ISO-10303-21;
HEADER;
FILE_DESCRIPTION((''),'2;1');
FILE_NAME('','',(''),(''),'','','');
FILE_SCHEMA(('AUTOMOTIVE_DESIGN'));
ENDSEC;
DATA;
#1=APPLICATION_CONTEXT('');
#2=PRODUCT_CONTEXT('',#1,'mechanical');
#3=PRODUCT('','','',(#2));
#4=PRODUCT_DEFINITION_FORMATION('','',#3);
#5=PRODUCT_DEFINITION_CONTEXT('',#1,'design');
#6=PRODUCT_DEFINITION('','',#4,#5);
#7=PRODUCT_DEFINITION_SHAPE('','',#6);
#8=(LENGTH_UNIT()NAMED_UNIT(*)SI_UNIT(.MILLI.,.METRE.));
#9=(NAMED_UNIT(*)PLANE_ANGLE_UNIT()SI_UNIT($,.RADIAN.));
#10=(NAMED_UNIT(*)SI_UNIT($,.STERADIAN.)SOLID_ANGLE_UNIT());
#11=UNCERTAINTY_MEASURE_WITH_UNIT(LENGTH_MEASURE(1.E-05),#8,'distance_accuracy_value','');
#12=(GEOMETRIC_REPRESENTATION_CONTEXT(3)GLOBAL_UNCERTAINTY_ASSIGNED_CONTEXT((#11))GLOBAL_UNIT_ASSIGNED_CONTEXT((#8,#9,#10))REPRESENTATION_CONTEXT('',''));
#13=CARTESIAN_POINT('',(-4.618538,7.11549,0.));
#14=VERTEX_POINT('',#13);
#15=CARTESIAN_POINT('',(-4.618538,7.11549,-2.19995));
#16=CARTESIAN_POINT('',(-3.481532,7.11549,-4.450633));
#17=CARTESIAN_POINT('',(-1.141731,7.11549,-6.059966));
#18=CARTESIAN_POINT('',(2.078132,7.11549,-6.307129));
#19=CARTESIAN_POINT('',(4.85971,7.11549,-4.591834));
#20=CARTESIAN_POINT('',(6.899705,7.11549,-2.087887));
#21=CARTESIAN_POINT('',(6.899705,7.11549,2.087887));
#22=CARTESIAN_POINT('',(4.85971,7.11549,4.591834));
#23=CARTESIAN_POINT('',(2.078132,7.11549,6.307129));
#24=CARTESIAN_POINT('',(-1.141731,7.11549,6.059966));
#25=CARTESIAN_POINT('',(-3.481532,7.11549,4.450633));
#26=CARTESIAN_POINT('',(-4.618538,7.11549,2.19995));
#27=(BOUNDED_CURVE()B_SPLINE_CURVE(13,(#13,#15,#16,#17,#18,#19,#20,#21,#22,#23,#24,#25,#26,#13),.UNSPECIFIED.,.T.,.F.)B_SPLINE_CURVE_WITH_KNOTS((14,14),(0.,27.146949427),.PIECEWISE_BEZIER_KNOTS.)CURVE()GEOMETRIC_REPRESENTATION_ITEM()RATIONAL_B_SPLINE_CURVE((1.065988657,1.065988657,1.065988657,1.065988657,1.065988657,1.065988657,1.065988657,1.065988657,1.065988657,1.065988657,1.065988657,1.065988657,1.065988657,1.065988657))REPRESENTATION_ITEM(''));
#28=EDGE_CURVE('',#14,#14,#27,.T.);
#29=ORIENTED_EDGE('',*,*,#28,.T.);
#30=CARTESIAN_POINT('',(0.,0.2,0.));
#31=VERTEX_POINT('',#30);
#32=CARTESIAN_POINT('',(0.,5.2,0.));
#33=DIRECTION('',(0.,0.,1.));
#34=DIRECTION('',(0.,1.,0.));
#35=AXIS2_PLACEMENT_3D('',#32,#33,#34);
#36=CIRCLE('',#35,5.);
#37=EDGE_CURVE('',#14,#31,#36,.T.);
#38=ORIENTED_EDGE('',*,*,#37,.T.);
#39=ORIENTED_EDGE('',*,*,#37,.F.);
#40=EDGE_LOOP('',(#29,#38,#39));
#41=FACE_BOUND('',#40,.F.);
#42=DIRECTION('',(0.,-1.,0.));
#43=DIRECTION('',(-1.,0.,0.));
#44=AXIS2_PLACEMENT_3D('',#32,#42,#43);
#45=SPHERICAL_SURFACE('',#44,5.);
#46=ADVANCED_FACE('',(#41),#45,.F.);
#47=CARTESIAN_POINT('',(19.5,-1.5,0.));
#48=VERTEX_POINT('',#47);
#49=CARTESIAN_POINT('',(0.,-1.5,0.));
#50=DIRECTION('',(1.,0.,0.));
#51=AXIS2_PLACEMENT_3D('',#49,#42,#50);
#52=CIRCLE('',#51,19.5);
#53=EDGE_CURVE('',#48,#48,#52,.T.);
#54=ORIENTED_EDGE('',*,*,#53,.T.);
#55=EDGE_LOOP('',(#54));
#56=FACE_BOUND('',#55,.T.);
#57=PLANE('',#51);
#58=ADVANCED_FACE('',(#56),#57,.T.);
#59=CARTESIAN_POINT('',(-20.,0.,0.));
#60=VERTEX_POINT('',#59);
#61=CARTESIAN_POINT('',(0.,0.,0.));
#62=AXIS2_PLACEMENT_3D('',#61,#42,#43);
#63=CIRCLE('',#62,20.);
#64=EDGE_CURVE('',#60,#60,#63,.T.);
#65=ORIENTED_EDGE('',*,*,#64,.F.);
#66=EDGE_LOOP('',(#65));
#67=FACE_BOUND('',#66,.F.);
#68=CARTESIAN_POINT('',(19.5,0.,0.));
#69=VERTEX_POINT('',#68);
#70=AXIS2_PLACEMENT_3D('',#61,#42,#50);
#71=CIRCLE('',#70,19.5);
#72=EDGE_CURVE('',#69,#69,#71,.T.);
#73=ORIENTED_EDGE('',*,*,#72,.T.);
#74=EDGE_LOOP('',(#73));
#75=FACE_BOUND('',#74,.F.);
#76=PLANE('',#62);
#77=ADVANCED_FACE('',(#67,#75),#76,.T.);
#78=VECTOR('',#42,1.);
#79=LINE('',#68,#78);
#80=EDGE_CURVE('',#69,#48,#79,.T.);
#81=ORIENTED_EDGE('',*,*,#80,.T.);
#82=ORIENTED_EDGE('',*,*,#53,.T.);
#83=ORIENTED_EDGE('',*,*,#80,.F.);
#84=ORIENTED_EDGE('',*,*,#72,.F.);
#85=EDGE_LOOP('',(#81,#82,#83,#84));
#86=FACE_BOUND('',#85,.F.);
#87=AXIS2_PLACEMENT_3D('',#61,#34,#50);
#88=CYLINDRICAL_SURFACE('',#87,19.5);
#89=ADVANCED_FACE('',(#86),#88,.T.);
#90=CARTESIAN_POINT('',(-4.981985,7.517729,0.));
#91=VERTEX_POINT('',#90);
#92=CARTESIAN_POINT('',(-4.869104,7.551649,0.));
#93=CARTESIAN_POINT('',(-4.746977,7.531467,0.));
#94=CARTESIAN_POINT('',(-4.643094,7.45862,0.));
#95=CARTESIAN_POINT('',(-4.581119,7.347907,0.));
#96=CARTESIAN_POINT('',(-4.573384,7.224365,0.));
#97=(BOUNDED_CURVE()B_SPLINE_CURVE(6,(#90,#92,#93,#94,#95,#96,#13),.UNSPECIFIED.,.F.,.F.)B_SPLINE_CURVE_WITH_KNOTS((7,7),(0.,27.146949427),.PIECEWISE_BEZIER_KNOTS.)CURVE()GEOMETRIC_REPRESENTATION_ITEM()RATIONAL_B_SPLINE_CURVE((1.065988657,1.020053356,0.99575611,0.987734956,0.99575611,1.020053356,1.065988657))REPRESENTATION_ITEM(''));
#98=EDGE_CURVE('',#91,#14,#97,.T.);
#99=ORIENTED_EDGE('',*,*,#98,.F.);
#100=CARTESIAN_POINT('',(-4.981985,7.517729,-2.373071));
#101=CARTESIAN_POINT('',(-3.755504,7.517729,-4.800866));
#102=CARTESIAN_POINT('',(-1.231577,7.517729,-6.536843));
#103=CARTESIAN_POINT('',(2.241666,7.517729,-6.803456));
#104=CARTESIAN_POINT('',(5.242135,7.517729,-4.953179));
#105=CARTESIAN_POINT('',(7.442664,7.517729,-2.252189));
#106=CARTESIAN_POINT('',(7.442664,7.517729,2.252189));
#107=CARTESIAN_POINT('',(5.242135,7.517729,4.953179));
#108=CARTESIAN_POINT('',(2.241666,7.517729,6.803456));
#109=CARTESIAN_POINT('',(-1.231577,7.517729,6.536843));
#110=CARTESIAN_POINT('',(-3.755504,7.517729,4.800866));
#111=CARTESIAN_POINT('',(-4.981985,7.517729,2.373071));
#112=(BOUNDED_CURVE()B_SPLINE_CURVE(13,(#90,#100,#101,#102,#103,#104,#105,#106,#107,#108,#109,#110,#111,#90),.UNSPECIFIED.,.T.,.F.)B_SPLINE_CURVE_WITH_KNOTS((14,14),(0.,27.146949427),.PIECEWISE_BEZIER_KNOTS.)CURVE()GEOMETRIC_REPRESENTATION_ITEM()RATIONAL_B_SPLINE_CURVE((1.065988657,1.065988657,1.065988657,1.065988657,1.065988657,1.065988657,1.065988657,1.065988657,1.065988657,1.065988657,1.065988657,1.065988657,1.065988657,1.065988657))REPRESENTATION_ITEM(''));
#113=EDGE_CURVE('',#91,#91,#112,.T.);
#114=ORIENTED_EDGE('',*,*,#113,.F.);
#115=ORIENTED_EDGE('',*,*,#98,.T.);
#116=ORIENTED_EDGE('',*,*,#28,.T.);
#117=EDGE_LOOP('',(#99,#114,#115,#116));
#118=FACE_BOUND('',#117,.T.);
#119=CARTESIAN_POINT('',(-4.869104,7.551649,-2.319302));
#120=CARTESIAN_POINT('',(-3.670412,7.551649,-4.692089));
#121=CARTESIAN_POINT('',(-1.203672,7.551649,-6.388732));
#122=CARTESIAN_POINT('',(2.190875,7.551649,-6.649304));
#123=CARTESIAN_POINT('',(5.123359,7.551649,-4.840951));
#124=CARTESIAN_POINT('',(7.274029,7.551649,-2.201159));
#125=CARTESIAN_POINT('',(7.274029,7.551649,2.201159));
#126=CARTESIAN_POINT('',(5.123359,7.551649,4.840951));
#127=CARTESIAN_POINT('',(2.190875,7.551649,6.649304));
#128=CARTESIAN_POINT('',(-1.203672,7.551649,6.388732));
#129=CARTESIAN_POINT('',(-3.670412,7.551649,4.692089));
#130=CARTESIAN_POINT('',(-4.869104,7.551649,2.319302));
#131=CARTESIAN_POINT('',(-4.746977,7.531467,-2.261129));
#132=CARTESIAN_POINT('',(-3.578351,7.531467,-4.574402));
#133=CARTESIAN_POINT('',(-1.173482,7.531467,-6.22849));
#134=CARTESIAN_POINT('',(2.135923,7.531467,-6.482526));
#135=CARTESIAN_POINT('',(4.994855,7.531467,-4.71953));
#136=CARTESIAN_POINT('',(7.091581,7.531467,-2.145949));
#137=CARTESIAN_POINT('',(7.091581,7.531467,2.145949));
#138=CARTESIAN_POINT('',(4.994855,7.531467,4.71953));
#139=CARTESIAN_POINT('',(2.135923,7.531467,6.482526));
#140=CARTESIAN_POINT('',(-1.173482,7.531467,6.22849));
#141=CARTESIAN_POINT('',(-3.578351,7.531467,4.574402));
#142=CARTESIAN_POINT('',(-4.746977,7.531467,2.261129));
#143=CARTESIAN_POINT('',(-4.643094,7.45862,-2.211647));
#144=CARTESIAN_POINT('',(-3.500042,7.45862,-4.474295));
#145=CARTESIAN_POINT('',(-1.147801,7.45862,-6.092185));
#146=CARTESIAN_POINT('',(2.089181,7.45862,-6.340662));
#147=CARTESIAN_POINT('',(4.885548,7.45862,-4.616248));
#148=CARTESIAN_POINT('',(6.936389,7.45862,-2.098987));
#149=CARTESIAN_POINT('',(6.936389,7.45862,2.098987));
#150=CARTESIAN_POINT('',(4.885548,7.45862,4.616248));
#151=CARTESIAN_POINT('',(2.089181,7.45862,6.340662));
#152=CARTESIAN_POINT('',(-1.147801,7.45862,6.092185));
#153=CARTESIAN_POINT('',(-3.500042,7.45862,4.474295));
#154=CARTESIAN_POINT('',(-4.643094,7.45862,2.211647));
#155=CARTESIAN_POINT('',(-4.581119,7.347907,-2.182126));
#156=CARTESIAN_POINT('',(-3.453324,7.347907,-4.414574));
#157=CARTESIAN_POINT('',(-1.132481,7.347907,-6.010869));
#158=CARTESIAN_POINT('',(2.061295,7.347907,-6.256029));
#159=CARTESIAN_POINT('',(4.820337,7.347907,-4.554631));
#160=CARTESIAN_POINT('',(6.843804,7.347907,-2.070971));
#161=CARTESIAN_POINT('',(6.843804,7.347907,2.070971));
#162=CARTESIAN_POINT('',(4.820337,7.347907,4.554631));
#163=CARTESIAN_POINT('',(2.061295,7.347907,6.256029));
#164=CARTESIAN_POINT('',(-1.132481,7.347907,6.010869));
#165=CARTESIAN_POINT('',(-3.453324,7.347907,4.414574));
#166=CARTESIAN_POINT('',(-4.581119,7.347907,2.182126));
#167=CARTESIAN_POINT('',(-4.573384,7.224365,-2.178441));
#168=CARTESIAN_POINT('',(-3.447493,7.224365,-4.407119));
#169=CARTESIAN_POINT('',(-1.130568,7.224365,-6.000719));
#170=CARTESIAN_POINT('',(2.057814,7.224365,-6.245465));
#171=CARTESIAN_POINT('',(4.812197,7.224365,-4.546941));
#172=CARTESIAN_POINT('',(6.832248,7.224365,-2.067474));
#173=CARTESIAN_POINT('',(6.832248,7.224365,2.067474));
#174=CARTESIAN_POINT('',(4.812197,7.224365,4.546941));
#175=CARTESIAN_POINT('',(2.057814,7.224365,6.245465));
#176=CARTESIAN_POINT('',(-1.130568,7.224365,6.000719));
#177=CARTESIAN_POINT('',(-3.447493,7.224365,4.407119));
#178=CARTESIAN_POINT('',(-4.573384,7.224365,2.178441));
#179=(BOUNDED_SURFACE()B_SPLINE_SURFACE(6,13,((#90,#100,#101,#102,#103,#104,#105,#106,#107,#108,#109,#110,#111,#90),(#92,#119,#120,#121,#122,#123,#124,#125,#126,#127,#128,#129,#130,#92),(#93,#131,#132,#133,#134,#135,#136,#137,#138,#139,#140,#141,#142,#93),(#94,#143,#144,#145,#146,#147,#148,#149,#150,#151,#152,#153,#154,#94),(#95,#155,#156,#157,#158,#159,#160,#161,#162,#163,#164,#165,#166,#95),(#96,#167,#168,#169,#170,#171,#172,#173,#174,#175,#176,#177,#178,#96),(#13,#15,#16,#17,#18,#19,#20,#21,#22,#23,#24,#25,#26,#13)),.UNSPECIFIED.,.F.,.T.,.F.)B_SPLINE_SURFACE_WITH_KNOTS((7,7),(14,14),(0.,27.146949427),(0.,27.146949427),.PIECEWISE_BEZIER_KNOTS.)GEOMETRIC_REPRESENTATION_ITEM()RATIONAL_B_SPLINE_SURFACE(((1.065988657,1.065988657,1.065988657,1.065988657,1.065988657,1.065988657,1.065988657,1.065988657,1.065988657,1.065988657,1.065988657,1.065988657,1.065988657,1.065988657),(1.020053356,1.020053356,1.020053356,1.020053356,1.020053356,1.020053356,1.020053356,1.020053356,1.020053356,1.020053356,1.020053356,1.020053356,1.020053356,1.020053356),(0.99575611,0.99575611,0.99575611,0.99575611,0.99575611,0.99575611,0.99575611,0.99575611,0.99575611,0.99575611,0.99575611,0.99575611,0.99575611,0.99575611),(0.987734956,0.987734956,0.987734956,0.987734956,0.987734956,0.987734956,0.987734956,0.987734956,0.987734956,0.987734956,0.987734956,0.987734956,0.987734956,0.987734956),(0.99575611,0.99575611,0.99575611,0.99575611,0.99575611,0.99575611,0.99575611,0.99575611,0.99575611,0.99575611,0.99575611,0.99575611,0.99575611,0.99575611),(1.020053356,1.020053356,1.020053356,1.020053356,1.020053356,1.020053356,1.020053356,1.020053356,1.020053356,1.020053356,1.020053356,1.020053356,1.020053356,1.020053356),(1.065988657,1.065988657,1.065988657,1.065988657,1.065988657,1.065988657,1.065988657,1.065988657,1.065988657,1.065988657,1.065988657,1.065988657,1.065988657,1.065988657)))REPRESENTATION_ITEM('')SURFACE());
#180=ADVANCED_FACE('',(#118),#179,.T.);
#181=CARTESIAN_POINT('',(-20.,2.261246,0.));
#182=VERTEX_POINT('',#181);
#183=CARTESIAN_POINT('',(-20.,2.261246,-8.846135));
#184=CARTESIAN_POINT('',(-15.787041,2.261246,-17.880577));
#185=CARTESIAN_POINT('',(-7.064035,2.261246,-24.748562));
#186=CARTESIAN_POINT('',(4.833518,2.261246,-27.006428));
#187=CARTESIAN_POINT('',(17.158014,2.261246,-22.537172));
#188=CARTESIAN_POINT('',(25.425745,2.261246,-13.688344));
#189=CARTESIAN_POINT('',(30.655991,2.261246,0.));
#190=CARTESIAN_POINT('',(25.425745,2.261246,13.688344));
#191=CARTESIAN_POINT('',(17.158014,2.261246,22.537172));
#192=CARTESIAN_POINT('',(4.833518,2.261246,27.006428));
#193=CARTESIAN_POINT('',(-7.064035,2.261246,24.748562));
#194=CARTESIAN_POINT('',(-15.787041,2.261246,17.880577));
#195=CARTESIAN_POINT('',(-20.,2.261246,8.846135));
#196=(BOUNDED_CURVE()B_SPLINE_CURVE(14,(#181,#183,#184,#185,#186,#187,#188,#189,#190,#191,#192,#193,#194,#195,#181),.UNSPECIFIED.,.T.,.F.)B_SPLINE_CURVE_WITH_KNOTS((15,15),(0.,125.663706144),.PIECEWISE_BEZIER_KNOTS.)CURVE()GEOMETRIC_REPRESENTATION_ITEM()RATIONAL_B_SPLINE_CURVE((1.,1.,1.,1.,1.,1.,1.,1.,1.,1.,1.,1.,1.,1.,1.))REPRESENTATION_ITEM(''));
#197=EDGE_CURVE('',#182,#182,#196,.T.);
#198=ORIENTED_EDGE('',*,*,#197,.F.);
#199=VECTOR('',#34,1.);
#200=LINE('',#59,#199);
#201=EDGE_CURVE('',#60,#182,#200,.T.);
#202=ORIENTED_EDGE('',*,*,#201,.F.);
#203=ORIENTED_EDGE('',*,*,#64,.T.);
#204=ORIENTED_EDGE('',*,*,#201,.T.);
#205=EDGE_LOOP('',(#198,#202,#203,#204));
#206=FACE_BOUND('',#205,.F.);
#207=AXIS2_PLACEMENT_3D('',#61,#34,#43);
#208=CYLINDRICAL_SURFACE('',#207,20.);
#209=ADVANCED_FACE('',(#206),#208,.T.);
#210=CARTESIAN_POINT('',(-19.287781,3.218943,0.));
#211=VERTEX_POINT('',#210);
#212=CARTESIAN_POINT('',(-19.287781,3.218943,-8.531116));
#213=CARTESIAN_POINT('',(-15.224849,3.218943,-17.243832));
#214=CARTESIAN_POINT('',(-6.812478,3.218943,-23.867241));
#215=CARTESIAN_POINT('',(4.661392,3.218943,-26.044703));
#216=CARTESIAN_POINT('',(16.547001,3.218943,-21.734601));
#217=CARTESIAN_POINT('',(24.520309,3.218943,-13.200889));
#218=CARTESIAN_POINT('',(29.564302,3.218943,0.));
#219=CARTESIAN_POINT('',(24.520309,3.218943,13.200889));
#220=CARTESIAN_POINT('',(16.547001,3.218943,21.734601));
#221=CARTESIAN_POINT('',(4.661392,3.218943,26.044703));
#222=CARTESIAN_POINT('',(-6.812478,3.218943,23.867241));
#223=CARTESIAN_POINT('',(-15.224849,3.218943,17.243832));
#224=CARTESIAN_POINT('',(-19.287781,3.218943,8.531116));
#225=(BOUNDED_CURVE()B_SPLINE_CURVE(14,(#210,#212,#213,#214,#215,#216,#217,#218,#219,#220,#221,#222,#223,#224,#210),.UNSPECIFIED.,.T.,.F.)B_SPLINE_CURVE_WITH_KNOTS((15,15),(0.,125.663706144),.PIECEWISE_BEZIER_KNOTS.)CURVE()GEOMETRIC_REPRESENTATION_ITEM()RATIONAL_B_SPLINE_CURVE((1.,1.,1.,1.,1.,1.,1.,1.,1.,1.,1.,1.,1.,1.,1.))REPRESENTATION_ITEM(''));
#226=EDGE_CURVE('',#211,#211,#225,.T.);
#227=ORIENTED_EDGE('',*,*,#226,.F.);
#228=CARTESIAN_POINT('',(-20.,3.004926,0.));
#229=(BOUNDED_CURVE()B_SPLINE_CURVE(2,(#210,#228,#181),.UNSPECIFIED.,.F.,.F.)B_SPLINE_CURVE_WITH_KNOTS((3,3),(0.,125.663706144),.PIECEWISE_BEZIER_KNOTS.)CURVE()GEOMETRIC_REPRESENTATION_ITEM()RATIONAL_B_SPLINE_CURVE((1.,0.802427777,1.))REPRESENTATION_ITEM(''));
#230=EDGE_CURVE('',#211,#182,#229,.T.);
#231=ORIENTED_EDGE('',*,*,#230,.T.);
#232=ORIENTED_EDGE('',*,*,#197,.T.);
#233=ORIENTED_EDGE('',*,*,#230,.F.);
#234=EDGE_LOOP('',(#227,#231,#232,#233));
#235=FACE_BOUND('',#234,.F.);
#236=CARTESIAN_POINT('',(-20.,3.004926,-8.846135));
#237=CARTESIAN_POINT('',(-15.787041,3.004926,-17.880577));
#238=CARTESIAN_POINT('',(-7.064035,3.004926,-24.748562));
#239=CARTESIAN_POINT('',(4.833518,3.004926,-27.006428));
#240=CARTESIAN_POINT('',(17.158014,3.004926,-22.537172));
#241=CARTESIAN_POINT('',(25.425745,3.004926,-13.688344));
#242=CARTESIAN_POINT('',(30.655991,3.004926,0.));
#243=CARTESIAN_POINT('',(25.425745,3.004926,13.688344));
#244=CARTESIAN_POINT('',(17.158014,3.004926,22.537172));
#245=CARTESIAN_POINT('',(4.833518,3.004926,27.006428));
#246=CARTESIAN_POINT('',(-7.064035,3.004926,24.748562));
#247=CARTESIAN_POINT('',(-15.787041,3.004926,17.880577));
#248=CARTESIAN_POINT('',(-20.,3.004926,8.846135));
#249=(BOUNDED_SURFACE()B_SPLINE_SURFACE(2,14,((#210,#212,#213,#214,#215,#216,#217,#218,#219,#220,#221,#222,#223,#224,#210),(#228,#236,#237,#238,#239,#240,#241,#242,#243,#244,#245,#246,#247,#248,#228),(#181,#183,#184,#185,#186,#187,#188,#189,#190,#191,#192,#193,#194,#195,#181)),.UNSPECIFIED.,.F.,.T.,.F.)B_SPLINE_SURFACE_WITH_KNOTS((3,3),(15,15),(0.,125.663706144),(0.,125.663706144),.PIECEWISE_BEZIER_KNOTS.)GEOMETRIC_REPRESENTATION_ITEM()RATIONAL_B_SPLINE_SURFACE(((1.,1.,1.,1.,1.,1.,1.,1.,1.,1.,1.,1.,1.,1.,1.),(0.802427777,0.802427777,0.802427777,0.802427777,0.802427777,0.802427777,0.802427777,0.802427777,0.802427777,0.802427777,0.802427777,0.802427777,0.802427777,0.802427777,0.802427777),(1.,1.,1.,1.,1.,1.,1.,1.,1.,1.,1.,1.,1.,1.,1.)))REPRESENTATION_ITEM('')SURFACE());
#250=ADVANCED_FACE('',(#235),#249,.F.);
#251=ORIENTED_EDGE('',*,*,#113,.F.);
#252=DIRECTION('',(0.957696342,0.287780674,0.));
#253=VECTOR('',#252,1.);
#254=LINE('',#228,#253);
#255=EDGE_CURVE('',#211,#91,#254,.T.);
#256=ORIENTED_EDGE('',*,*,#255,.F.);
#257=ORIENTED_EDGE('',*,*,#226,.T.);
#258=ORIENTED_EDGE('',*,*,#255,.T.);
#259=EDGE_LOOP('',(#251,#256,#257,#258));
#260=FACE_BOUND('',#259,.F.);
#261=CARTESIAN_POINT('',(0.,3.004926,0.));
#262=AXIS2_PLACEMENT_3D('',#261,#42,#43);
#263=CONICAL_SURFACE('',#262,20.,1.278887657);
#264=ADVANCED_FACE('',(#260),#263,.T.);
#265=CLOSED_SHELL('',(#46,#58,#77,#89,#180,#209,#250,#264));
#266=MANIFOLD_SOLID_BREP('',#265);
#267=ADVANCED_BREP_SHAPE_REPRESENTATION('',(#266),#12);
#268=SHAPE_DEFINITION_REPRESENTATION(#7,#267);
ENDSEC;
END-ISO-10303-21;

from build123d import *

# Parameters (mm, degrees)
FILLET1_R           = 0.3
SKETCH4_R           = 19.5
BOSS_EXTRUDE1_DEPTH = 1.5
FILLET2_R           = 1


with BuildPart() as part:
    # Sketch2 → Revolve1 (revolve)
    with BuildSketch(Plane.XY):
        Polygon((0, 0), (-20, 0), (-20, 3.004926108), (0, 9.014778325), align=None)
    revolve(axis=Axis((0, 35.024630542, 0), (0, -1, 0)))

    # Sketch3 → Cut-Revolve2 (revolve, cut)
    with BuildSketch(Plane.XY):
        with BuildLine():
            Line((0, 0.2), (0, 10.2))
            ThreePointArc((0, 10.2), (-5, 5.2), (0, 0.2))
        make_face()
    revolve(axis=Axis((0, 12.296737064, 0), (0, -1, 0)), mode=Mode.SUBTRACT)

    # Fillet1
    fillet1_edges = [part.edges().sort_by_distance(p)[0] for p in [
        (4.320571191, 7.716478608, 0),
    ]]
    fillet(fillet1_edges, radius=FILLET1_R)

    # Sketch4 → Boss-Extrude1 (add)
    with BuildSketch(Plane.XZ):
        Circle(SKETCH4_R)
    extrude(amount=BOSS_EXTRUDE1_DEPTH)

    # Fillet2
    fillet2_edges = [part.edges().sort_by_distance(p)[0] for p in [
        (20, 3.004926108, 0),
    ]]
    fillet(fillet2_edges, radius=FILLET2_R)


solid = part.part
